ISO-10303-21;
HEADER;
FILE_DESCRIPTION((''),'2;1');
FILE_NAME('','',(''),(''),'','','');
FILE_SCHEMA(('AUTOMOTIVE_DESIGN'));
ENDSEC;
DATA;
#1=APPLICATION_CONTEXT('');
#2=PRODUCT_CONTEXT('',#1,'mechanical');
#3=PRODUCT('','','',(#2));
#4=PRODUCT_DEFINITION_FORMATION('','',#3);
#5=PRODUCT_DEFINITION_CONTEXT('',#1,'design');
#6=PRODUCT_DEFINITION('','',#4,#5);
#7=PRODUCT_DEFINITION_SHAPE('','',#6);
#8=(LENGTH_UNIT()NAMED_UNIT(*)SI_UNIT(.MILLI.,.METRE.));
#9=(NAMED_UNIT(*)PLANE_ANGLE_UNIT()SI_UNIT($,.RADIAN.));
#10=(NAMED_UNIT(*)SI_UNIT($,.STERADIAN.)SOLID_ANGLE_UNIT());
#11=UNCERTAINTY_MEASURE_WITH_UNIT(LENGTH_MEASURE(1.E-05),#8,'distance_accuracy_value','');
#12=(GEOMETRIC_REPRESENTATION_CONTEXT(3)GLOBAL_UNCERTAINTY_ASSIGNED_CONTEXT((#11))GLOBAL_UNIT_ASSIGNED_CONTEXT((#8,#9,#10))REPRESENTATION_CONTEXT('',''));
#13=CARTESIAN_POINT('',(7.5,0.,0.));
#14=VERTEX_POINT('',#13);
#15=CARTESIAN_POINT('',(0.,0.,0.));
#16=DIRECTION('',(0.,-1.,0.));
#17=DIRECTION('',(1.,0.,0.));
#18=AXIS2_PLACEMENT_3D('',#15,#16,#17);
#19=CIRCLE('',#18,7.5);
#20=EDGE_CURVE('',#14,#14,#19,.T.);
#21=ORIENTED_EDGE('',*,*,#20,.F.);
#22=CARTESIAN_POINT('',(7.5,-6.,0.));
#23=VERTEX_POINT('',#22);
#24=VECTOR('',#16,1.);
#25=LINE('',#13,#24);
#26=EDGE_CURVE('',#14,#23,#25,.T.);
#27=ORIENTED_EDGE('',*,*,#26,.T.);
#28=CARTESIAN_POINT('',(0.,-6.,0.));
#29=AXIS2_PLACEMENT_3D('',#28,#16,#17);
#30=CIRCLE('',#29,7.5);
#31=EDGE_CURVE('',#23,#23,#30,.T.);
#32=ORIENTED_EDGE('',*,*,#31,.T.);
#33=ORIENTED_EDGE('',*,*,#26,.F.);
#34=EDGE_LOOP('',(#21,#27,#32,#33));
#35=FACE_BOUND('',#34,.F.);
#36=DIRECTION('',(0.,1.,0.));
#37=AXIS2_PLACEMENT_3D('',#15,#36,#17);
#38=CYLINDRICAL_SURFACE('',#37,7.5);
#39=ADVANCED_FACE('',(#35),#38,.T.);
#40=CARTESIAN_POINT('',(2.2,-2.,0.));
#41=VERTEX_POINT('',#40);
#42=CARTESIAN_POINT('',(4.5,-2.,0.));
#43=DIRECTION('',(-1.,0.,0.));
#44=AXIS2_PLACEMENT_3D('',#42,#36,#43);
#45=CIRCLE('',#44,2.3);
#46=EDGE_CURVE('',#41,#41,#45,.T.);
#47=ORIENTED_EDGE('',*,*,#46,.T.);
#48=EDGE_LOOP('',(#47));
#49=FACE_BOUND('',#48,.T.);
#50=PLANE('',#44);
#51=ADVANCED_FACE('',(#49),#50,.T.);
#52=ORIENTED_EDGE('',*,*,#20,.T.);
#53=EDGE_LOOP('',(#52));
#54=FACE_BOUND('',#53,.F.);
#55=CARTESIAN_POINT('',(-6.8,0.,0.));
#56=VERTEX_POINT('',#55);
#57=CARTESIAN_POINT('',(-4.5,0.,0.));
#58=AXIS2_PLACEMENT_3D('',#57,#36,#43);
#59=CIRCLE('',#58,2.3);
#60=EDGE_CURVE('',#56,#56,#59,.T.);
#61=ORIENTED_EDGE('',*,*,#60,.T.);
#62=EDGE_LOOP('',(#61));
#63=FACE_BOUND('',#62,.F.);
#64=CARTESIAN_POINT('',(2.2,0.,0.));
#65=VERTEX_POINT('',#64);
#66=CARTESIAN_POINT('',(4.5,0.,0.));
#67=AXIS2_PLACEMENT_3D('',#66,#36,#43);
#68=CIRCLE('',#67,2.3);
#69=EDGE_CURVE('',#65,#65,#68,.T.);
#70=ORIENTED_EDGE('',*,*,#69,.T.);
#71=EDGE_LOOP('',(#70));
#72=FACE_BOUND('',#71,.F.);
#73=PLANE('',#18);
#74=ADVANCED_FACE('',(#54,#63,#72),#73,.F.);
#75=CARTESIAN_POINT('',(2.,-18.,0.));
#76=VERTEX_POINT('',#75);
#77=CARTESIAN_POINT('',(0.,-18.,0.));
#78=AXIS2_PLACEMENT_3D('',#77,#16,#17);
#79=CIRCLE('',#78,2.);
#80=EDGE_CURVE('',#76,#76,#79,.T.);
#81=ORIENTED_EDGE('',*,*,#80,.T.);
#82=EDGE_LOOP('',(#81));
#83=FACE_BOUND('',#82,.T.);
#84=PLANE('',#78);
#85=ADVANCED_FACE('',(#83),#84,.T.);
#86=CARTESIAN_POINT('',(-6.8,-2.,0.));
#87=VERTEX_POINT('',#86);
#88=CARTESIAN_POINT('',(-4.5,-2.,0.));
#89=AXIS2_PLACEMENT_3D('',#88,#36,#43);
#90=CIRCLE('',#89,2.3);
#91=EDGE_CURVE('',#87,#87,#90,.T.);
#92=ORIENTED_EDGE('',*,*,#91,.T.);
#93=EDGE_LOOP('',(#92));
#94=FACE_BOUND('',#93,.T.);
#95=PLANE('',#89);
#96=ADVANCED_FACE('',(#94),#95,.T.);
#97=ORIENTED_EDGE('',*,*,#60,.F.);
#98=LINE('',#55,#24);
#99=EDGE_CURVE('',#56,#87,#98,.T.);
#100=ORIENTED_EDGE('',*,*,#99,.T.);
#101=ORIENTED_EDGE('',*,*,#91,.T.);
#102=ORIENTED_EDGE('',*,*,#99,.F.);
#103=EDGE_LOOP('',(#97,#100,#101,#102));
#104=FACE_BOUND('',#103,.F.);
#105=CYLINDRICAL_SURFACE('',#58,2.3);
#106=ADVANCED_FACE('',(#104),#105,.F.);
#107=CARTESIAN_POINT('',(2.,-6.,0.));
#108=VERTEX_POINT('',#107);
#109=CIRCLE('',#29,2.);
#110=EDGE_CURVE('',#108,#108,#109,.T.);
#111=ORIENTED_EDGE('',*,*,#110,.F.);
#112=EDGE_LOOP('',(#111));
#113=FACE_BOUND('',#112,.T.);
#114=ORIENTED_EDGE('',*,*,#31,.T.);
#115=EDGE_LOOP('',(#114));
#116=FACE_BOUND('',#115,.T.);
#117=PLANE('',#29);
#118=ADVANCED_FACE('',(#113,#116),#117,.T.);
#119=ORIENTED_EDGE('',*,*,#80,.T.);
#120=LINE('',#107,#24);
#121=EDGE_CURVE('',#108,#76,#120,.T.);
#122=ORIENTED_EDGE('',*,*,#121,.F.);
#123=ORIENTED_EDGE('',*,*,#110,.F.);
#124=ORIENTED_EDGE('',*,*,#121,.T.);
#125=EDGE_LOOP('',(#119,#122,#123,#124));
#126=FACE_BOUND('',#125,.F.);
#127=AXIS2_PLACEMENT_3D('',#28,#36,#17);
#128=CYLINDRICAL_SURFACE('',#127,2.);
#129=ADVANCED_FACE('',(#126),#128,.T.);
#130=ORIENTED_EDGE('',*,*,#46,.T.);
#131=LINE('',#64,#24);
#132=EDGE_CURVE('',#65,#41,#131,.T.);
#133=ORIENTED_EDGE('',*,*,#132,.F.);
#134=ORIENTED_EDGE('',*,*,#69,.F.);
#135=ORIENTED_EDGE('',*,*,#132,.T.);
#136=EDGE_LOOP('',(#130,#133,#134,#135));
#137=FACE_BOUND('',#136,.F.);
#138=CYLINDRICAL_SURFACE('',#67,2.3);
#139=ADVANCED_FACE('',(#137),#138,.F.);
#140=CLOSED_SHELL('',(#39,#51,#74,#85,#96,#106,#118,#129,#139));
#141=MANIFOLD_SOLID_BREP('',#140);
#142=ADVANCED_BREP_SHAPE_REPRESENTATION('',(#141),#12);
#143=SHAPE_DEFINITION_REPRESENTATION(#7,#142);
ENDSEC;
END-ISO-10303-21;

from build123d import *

# Parameters (mm, degrees)
F0_R     = 7.5
F1_DEPTH = 6
F2_R     = 2
F3_DEPTH = 12
F4_R     = 2.3
F5_DEPTH = 2


with BuildPart() as f1:
    # F0 (on Front) → F1 (new body)
    with BuildSketch(Plane.XZ):
        Circle(F0_R)
    extrude(amount=F1_DEPTH)

    # F2 (on face) → F3 (join)
    with BuildSketch(Plane.XZ.offset(6)):
        Circle(F2_R)
    extrude(amount=F3_DEPTH)

    # F4 (on face) → F5 (cut)
    with BuildSketch(Plane(origin=(0, 0, 0), x_dir=(-1, 0, 0), z_dir=(0, 1, 0))):
        with Locations((-4.5, 0)):
            Circle(F4_R)
        with Locations((4.5, 0)):
            Circle(F4_R)
    extrude(amount=-F5_DEPTH, mode=Mode.SUBTRACT)


solid = f1.part
